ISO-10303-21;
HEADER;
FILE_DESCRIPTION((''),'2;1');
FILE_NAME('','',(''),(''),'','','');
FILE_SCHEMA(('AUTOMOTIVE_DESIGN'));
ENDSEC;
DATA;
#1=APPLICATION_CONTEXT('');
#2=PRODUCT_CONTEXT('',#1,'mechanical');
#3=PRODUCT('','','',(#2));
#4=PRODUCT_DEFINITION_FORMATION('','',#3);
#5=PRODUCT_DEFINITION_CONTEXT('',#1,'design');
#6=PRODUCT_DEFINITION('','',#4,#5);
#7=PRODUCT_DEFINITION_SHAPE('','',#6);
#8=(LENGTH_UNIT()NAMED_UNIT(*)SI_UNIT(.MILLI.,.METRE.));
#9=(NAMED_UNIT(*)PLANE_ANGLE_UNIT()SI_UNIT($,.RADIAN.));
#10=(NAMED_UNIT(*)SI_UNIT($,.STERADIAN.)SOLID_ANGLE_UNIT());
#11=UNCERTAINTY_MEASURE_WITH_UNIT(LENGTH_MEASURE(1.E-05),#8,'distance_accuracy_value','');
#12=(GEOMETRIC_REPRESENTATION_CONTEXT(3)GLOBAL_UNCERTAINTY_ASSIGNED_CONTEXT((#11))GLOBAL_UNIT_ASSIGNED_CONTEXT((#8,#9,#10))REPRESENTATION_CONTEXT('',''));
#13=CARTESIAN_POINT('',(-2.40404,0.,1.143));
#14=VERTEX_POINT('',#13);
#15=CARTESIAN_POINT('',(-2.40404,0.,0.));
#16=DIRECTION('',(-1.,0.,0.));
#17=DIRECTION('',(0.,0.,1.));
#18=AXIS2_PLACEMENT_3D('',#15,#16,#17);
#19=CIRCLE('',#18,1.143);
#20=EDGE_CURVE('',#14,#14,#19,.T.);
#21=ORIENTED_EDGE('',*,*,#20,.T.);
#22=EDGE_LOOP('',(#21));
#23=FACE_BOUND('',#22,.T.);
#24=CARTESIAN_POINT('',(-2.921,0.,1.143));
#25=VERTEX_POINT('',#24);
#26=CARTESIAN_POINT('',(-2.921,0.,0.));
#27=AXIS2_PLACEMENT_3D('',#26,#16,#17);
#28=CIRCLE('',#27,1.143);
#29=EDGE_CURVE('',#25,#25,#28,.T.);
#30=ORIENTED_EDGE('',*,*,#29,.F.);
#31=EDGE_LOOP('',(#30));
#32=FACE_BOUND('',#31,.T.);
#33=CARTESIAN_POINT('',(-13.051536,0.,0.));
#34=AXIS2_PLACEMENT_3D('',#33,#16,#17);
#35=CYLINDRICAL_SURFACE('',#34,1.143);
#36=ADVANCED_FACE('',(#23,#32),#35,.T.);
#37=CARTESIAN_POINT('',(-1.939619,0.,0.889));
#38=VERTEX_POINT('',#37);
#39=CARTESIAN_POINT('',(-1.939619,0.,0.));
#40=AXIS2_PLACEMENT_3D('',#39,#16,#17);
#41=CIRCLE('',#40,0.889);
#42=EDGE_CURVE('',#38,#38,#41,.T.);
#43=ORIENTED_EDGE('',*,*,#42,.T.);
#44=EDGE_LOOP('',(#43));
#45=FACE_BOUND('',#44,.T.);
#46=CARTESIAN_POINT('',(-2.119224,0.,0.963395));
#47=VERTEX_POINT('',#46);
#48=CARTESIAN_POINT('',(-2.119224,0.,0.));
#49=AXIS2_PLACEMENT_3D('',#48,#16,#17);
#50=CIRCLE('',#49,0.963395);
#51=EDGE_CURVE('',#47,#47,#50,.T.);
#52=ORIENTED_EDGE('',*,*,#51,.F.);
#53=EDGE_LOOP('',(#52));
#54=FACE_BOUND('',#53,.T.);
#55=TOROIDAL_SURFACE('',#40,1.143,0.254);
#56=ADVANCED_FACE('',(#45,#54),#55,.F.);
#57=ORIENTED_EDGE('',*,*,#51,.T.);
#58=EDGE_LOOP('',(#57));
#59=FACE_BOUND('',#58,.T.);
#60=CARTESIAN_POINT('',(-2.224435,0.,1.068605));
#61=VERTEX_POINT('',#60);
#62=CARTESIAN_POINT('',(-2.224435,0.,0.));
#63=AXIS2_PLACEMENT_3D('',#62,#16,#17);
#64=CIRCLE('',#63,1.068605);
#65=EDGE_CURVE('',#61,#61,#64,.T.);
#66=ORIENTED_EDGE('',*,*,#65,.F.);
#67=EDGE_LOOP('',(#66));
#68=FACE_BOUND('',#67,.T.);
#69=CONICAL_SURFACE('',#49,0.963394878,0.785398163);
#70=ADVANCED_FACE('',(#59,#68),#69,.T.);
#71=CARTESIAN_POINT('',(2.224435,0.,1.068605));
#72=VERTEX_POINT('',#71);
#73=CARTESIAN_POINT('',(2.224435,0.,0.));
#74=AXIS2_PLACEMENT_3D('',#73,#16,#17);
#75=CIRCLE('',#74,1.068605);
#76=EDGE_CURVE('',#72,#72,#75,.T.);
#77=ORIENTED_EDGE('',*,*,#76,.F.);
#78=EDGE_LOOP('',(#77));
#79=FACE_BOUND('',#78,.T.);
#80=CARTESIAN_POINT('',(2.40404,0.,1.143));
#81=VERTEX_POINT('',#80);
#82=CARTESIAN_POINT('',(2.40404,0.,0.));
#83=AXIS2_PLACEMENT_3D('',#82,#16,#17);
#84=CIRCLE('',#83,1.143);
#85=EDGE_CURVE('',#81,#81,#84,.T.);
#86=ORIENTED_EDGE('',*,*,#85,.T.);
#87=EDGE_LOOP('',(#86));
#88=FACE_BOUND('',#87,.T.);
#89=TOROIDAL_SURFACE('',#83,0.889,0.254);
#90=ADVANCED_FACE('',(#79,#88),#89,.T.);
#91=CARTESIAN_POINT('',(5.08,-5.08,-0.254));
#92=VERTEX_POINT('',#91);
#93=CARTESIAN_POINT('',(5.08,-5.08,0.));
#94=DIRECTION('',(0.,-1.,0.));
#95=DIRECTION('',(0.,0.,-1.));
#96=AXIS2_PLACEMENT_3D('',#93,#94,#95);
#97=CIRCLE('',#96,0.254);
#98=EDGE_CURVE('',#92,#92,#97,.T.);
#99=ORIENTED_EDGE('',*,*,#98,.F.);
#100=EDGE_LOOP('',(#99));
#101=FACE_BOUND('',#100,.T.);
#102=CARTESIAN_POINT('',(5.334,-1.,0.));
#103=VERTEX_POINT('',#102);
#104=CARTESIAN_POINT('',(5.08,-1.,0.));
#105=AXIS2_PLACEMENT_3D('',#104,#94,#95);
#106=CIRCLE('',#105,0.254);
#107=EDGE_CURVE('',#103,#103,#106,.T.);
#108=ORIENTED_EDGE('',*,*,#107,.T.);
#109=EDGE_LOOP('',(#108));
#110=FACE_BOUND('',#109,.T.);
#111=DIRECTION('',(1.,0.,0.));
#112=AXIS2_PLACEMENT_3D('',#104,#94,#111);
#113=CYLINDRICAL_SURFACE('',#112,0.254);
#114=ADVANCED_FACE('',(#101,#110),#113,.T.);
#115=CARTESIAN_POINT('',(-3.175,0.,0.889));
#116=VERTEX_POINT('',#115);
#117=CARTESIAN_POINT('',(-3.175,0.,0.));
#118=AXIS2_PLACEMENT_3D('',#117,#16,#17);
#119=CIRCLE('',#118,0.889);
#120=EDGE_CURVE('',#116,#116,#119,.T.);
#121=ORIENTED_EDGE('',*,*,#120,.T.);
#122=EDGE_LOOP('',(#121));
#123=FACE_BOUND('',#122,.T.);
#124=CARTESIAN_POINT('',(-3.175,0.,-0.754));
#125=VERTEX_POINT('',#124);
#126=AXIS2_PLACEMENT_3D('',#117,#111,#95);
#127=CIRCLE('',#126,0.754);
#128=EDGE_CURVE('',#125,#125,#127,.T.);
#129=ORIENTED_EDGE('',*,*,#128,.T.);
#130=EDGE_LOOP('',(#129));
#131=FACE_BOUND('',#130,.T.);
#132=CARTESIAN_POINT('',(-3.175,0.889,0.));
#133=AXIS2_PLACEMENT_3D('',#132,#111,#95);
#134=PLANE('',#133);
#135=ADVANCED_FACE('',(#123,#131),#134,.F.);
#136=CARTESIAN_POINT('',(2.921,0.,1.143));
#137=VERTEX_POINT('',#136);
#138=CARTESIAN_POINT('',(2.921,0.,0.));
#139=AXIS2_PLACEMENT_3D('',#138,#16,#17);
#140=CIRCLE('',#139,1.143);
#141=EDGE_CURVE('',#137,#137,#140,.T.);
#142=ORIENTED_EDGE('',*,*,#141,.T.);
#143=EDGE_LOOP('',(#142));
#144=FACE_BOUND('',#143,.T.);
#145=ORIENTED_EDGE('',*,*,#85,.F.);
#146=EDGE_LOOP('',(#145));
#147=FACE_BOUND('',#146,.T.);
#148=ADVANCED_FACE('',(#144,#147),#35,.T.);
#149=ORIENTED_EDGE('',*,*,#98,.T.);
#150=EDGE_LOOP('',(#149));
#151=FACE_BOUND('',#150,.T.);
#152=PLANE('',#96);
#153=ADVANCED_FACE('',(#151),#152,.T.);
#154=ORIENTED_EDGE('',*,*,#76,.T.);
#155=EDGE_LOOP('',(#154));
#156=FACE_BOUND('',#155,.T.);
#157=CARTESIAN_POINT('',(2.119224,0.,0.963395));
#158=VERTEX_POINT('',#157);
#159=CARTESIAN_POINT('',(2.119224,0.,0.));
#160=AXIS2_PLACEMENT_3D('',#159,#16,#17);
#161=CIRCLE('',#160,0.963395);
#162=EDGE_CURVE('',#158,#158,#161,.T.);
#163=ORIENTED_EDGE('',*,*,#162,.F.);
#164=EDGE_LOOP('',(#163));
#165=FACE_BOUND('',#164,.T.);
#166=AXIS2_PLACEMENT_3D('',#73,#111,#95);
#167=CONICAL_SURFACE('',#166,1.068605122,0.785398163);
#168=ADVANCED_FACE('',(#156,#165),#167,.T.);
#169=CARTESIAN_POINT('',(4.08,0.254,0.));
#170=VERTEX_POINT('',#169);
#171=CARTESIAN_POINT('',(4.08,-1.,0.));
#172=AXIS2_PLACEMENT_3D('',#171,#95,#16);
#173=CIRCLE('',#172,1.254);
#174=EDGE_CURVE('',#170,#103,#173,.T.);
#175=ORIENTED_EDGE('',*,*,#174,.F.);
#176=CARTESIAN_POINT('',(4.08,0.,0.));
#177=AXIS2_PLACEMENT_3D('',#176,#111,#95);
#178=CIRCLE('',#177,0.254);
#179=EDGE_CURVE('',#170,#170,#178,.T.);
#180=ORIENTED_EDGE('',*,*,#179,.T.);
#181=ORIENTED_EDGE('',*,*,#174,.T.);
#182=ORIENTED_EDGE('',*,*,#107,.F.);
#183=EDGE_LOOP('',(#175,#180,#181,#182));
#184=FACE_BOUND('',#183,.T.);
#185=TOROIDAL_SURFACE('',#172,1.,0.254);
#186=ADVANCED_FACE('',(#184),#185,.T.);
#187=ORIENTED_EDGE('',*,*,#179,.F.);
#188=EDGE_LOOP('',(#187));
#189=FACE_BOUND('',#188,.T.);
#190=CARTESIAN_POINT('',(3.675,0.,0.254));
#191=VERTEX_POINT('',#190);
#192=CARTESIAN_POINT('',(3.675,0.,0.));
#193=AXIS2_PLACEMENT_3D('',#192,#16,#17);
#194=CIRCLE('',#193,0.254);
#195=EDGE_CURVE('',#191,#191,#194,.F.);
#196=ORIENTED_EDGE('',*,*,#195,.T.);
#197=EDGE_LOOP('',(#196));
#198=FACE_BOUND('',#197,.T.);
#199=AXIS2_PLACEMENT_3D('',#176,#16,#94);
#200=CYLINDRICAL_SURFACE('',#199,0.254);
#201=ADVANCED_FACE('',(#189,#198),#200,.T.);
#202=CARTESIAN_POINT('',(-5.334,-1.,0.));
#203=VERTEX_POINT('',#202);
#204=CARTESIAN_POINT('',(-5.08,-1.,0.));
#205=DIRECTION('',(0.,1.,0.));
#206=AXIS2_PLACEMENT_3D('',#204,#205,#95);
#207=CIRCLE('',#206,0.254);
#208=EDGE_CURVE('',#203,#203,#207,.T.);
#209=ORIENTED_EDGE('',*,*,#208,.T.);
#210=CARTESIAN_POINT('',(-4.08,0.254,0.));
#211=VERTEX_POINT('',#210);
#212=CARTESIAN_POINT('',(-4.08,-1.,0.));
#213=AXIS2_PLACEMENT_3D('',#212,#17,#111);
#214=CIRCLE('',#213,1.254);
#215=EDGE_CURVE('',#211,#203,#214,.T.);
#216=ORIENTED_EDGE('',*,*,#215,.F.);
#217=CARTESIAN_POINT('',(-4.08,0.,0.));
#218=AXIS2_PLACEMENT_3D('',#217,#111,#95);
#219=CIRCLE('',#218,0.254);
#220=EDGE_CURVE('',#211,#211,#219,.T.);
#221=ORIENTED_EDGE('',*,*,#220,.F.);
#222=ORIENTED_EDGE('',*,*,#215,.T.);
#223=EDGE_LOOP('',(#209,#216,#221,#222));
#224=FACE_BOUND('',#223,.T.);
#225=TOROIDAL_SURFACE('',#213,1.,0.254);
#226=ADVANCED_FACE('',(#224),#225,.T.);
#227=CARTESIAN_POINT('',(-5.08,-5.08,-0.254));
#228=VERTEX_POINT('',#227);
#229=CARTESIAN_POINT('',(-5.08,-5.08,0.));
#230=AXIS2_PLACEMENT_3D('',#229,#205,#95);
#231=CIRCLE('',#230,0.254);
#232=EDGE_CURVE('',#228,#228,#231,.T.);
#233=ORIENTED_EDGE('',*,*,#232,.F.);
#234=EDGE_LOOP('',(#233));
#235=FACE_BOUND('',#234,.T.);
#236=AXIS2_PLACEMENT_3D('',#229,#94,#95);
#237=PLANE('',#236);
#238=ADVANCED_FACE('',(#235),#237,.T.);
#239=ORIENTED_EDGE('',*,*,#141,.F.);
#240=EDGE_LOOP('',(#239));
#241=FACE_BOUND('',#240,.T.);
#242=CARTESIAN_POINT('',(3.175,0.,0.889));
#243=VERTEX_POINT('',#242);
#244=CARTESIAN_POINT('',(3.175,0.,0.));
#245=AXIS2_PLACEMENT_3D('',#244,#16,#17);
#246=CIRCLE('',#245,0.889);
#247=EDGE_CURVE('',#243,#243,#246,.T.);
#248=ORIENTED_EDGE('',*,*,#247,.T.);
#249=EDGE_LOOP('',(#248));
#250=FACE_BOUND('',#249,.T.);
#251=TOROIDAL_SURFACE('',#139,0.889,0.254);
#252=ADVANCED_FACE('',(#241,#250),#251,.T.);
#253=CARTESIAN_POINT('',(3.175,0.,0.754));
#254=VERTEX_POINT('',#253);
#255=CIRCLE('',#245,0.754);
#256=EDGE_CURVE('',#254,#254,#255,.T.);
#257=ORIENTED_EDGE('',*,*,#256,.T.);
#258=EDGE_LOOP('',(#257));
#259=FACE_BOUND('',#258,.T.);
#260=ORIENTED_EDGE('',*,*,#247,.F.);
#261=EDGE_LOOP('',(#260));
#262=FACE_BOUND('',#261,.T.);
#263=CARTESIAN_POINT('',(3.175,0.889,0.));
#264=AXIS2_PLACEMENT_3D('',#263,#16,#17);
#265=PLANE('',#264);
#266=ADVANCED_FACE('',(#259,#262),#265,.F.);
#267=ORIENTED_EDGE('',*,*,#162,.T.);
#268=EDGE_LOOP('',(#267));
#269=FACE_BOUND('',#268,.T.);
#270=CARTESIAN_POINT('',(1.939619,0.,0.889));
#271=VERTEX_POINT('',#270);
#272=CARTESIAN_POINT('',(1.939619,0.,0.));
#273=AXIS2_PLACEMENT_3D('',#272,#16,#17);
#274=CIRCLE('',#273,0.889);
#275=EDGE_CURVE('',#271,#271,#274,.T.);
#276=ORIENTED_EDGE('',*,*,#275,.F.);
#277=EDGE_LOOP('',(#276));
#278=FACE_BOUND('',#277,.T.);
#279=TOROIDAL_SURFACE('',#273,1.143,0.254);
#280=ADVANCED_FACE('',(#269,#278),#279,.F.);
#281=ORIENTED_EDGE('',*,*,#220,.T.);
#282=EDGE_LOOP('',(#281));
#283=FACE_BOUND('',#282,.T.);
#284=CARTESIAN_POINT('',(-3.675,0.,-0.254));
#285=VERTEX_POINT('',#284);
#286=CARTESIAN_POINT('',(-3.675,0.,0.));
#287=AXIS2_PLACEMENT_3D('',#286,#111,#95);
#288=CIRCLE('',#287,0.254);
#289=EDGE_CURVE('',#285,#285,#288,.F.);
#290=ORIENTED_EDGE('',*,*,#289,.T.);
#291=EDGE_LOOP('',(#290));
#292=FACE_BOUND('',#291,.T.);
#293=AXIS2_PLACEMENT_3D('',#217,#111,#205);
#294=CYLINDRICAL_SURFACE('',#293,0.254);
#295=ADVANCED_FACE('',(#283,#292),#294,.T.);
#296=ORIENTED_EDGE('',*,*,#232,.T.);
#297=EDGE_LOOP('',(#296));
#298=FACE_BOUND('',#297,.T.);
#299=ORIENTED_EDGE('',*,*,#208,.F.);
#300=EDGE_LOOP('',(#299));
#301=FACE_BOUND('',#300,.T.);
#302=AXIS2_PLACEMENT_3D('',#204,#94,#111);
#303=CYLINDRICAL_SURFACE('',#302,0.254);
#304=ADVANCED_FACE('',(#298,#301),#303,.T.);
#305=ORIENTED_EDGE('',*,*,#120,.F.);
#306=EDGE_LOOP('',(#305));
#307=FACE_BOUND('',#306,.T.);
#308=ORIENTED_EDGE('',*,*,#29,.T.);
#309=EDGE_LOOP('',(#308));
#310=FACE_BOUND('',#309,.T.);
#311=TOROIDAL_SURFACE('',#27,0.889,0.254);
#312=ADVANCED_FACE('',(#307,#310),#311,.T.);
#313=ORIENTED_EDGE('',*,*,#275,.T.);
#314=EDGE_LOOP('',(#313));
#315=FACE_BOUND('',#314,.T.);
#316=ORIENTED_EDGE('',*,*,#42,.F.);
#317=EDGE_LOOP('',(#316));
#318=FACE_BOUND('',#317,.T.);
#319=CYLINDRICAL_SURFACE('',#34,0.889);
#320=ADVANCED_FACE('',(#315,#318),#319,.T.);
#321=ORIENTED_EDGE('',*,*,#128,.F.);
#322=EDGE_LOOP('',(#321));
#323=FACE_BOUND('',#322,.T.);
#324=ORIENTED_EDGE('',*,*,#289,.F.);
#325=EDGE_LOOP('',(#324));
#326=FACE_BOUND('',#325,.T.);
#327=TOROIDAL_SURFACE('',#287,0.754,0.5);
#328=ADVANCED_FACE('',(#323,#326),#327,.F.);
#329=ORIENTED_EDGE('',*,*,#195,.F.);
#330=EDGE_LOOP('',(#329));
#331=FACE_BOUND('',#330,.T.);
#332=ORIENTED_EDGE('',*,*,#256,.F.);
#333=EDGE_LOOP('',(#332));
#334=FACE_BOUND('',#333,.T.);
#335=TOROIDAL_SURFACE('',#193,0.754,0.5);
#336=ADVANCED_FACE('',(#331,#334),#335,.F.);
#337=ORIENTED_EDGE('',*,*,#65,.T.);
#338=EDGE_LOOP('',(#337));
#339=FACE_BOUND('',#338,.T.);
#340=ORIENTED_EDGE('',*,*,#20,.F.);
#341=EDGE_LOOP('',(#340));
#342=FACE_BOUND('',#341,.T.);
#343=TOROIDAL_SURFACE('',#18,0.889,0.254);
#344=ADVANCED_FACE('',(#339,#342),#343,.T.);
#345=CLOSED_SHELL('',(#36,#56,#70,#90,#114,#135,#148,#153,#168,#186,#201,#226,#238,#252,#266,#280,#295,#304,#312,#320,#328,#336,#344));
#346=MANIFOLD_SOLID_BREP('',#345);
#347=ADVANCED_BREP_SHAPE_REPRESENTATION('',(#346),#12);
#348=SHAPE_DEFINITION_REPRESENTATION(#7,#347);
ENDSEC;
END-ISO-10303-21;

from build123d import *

# Parameters (mm, degrees)
SKETCH3_R = 0.254
FILLET1_R = 0.5


with BuildPart() as part:
    # Sketch1 → Revolve1 (revolve)
    with BuildSketch(Plane.XY):
        with BuildLine():
            Line((1.93961936, 0.889), (-1.93961936, 0.889))
            ThreePointArc((-1.93961936, 0.889), (-2.036820952, 0.908334599), (-2.119224483, 0.963394878))
            Line((-2.119224483, 0.963394878), (-2.224434728, 1.068605122))
            ThreePointArc((-2.224434728, 1.068605122), (-2.306838258, 1.123665401), (-2.40403985, 1.143))
            Line((-2.40403985, 1.143), (-2.921, 1.143))
            ThreePointArc((-2.921, 1.143), (-3.100605122, 1.068605122), (-3.175, 0.889))
            Line((-3.175, 0.889), (-3.175, 0))
            Line((-3.175, 0), (3.175, 0))
            Line((3.175, 0), (3.175, 0.889))
            ThreePointArc((3.175, 0.889), (3.100605122, 1.068605122), (2.921, 1.143))
            Line((2.921, 1.143), (2.40403985, 1.143))
            ThreePointArc((2.40403985, 1.143), (2.306838258, 1.123665401), (2.224434728, 1.068605122))
            Line((2.224434728, 1.068605122), (2.119224483, 0.963394878))
            ThreePointArc((2.119224483, 0.963394878), (2.036820952, 0.908334599), (1.93961936, 0.889))
        make_face()
    revolve(axis=Axis((-13.051535928, 0, 0), (1, 0, 0)))

    # Sweep1: sweep along a path in Sketch2
    with BuildLine(Plane.XY) as sweep1_path:
        Line((0, 0), (4.08, 0))
        ThreePointArc((4.08, 0), (4.787106781, -0.292893219), (5.08, -1))
        Line((5.08, -1), (5.08, -5.08))
    # Sketch3 → Sweep1 (sweep)
    with BuildSketch(Plane(origin=(0, 0, 0), x_dir=(0, 0, -1), z_dir=(1, 0, 0))):
        Circle(SKETCH3_R)
    sweep1 = sweep(path=sweep1_path.line)

    # Mirror1: Sweep1 across plane
    add(sweep1.mirror(Plane(origin=(0, 0, 0), x_dir=(0, 0, 1), z_dir=(1, 0, 0))))

    # Fillet1
    fillet1_edges = [part.edges().sort_by_distance(p)[0] for p in [
        (3.175, 0, 0.254),
        (-3.175, 0, 0.254),
    ]]
    fillet(fillet1_edges, radius=FILLET1_R)


solid = part.part
